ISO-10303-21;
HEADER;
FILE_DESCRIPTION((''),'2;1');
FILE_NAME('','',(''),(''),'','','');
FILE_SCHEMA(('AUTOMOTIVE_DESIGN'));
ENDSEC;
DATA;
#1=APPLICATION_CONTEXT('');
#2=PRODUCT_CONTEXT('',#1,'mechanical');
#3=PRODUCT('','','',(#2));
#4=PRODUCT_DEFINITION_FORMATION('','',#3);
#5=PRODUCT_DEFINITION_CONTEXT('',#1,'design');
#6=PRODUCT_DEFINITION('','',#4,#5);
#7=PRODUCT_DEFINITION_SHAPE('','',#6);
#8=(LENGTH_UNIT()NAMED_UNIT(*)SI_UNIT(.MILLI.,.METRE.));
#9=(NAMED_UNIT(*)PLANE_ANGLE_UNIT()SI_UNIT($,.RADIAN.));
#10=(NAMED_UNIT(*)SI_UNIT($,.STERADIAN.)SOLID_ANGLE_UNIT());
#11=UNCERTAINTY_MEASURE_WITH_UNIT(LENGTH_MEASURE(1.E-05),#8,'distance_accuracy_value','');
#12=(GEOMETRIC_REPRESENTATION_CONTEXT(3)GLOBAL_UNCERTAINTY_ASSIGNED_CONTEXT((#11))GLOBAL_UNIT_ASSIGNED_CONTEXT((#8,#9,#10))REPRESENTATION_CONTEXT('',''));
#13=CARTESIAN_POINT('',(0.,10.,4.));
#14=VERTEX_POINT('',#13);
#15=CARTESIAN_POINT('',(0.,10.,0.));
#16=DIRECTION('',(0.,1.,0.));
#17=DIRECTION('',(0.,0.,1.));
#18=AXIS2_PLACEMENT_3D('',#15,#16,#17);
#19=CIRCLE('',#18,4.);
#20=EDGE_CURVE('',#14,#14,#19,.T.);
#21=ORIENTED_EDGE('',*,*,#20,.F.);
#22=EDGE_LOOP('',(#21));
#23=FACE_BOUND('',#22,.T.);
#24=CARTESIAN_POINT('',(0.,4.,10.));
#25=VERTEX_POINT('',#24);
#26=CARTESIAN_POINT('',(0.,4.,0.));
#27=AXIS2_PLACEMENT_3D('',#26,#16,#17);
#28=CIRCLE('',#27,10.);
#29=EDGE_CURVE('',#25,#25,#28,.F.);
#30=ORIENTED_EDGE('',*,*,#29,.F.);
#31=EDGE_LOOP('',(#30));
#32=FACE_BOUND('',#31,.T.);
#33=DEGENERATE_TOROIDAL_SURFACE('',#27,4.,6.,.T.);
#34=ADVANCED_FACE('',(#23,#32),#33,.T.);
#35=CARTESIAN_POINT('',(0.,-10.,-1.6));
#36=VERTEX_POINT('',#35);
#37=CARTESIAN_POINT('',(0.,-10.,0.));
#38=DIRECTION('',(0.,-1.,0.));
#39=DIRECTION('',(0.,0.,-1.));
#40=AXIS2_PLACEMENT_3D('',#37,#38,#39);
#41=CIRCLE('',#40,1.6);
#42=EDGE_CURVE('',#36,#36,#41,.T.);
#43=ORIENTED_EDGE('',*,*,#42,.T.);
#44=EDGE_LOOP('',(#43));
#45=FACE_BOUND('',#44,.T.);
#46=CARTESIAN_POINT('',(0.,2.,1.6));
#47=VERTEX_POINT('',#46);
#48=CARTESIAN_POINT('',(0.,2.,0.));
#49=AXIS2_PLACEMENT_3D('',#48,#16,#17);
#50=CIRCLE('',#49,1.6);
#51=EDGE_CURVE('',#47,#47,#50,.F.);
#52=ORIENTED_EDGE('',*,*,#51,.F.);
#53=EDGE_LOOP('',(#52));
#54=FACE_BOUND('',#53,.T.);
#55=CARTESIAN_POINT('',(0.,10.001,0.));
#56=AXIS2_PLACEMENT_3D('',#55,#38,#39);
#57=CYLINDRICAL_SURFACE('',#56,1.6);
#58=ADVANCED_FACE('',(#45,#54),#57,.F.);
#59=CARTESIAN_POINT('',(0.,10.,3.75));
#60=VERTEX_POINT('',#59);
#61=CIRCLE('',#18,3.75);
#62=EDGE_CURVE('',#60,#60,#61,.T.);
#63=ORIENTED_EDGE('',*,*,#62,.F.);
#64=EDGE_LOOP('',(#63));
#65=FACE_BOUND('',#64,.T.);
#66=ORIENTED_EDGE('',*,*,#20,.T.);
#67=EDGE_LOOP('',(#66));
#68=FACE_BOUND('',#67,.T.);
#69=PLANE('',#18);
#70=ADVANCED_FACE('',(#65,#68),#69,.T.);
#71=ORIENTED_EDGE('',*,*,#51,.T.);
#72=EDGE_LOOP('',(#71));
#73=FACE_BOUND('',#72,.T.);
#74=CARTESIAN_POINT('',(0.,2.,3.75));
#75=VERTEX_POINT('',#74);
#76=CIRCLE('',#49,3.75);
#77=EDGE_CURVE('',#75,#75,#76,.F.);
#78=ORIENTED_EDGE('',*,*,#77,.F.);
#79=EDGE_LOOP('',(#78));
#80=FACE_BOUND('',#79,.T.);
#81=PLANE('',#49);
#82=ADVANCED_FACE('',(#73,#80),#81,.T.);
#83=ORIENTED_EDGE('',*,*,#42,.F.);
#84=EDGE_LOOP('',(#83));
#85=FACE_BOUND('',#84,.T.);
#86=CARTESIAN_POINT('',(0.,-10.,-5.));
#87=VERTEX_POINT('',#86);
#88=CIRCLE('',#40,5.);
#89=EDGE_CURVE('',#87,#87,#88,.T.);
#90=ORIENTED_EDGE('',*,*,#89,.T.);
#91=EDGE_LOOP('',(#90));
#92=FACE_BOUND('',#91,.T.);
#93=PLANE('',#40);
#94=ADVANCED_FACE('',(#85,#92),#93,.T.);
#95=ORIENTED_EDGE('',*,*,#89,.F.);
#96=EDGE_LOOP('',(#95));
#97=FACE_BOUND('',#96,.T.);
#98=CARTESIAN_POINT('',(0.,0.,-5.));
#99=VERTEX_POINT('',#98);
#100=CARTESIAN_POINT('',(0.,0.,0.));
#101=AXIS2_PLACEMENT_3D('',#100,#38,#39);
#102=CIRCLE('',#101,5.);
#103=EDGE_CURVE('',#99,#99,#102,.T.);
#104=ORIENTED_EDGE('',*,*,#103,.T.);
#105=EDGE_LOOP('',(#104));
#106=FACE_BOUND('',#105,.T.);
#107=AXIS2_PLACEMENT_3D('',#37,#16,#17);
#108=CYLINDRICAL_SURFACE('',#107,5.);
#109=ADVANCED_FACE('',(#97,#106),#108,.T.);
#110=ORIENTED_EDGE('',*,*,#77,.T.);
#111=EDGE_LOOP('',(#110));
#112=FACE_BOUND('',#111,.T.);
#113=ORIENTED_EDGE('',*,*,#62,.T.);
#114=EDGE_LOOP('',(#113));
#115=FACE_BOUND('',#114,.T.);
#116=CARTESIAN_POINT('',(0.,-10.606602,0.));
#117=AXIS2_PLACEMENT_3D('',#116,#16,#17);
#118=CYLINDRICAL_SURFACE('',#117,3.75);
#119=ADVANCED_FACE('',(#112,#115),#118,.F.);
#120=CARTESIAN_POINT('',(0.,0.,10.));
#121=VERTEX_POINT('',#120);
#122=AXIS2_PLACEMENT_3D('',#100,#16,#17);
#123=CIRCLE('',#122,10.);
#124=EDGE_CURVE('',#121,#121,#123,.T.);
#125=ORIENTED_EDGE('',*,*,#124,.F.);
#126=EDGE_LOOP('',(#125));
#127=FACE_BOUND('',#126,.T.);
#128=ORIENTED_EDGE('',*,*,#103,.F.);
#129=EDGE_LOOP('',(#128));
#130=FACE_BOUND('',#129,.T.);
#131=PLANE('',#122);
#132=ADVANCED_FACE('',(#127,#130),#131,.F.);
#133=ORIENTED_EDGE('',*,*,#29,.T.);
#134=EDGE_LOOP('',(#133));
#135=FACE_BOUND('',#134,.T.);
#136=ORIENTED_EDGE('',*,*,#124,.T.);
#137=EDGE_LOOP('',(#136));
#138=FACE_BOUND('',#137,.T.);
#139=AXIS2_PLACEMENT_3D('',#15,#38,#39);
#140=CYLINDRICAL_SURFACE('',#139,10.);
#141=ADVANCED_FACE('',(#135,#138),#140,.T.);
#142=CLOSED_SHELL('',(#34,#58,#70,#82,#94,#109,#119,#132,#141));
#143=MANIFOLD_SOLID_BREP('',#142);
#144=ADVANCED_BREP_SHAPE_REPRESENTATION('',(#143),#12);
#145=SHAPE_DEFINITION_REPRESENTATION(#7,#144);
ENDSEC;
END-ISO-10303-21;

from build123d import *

# Parameters (mm, degrees)
SZKIC1_R                    = 10
DODANIE_WYCI_GNI_CIE1_DEPTH = 10
ZAOKR_GLENIE1_R             = 6
SZKIC2_R                    = 5
DODANIE_WYCI_GNI_CIE2_DEPTH = 10
SZKIC3_R                    = 3.75
WYTNIJ_WYCI_GNI_CIE1_DEPTH  = 8
WYTNIJ_WYCI_GNI_CIE2_REACH  = 26.495
SZKIC4_R                    = 1.6


with BuildPart() as part:
    # Szkic1 → Dodanie-wyciągnięcie1 (new body)
    with BuildSketch(Plane(origin=(0, 0, 0), x_dir=(1, 0, 0), z_dir=(0, 1, 0))):
        with Locations(Location((0, 0, 0), (0, 0, 270))):
            Circle(SZKIC1_R)
    extrude(amount=DODANIE_WYCI_GNI_CIE1_DEPTH)

    # Zaokrąglenie1
    zaokr_glenie1_edges = [part.edges().sort_by_distance(p)[0] for p in [
        (0, 10, -10),
    ]]
    fillet(zaokr_glenie1_edges, radius=ZAOKR_GLENIE1_R)

    # Szkic2 → Dodanie-wyciągnięcie2 (add)
    with BuildSketch(Plane.XZ):
        with Locations(Location((0, 0, 0), (0, 0, 270))):
            Circle(SZKIC2_R)
    extrude(amount=DODANIE_WYCI_GNI_CIE2_DEPTH)

    # Szkic3 → Wytnij-wyciągnięcie1 (cut)
    with BuildSketch(Plane(origin=(0, 10, 0), x_dir=(1, 0, 0), z_dir=(0, 1, 0))):
        with Locations(Location((0, 0, 0), (0, 0, 270))):
            Circle(SZKIC3_R)
    extrude(amount=-WYTNIJ_WYCI_GNI_CIE1_DEPTH, mode=Mode.SUBTRACT)

    # Szkic4 → Wytnij-wyciągnięcie2 (cut, up to next)
    with BuildSketch(Plane.XZ.offset(10), mode=Mode.PRIVATE) as wytnij_wyci_gni_cie2_sk1:
        with Locations(Location((0, 0, 0), (0, 0, 270))):
            Circle(SZKIC4_R)
    wytnij_wyci_gni_cie2_tool1 = extrude(wytnij_wyci_gni_cie2_sk1.sketch, amount=-WYTNIJ_WYCI_GNI_CIE2_REACH, mode=Mode.PRIVATE) & part.part
    add(wytnij_wyci_gni_cie2_tool1.solids().sort_by_distance((0, -10, 0))[0], mode=Mode.SUBTRACT)


solid = part.part
